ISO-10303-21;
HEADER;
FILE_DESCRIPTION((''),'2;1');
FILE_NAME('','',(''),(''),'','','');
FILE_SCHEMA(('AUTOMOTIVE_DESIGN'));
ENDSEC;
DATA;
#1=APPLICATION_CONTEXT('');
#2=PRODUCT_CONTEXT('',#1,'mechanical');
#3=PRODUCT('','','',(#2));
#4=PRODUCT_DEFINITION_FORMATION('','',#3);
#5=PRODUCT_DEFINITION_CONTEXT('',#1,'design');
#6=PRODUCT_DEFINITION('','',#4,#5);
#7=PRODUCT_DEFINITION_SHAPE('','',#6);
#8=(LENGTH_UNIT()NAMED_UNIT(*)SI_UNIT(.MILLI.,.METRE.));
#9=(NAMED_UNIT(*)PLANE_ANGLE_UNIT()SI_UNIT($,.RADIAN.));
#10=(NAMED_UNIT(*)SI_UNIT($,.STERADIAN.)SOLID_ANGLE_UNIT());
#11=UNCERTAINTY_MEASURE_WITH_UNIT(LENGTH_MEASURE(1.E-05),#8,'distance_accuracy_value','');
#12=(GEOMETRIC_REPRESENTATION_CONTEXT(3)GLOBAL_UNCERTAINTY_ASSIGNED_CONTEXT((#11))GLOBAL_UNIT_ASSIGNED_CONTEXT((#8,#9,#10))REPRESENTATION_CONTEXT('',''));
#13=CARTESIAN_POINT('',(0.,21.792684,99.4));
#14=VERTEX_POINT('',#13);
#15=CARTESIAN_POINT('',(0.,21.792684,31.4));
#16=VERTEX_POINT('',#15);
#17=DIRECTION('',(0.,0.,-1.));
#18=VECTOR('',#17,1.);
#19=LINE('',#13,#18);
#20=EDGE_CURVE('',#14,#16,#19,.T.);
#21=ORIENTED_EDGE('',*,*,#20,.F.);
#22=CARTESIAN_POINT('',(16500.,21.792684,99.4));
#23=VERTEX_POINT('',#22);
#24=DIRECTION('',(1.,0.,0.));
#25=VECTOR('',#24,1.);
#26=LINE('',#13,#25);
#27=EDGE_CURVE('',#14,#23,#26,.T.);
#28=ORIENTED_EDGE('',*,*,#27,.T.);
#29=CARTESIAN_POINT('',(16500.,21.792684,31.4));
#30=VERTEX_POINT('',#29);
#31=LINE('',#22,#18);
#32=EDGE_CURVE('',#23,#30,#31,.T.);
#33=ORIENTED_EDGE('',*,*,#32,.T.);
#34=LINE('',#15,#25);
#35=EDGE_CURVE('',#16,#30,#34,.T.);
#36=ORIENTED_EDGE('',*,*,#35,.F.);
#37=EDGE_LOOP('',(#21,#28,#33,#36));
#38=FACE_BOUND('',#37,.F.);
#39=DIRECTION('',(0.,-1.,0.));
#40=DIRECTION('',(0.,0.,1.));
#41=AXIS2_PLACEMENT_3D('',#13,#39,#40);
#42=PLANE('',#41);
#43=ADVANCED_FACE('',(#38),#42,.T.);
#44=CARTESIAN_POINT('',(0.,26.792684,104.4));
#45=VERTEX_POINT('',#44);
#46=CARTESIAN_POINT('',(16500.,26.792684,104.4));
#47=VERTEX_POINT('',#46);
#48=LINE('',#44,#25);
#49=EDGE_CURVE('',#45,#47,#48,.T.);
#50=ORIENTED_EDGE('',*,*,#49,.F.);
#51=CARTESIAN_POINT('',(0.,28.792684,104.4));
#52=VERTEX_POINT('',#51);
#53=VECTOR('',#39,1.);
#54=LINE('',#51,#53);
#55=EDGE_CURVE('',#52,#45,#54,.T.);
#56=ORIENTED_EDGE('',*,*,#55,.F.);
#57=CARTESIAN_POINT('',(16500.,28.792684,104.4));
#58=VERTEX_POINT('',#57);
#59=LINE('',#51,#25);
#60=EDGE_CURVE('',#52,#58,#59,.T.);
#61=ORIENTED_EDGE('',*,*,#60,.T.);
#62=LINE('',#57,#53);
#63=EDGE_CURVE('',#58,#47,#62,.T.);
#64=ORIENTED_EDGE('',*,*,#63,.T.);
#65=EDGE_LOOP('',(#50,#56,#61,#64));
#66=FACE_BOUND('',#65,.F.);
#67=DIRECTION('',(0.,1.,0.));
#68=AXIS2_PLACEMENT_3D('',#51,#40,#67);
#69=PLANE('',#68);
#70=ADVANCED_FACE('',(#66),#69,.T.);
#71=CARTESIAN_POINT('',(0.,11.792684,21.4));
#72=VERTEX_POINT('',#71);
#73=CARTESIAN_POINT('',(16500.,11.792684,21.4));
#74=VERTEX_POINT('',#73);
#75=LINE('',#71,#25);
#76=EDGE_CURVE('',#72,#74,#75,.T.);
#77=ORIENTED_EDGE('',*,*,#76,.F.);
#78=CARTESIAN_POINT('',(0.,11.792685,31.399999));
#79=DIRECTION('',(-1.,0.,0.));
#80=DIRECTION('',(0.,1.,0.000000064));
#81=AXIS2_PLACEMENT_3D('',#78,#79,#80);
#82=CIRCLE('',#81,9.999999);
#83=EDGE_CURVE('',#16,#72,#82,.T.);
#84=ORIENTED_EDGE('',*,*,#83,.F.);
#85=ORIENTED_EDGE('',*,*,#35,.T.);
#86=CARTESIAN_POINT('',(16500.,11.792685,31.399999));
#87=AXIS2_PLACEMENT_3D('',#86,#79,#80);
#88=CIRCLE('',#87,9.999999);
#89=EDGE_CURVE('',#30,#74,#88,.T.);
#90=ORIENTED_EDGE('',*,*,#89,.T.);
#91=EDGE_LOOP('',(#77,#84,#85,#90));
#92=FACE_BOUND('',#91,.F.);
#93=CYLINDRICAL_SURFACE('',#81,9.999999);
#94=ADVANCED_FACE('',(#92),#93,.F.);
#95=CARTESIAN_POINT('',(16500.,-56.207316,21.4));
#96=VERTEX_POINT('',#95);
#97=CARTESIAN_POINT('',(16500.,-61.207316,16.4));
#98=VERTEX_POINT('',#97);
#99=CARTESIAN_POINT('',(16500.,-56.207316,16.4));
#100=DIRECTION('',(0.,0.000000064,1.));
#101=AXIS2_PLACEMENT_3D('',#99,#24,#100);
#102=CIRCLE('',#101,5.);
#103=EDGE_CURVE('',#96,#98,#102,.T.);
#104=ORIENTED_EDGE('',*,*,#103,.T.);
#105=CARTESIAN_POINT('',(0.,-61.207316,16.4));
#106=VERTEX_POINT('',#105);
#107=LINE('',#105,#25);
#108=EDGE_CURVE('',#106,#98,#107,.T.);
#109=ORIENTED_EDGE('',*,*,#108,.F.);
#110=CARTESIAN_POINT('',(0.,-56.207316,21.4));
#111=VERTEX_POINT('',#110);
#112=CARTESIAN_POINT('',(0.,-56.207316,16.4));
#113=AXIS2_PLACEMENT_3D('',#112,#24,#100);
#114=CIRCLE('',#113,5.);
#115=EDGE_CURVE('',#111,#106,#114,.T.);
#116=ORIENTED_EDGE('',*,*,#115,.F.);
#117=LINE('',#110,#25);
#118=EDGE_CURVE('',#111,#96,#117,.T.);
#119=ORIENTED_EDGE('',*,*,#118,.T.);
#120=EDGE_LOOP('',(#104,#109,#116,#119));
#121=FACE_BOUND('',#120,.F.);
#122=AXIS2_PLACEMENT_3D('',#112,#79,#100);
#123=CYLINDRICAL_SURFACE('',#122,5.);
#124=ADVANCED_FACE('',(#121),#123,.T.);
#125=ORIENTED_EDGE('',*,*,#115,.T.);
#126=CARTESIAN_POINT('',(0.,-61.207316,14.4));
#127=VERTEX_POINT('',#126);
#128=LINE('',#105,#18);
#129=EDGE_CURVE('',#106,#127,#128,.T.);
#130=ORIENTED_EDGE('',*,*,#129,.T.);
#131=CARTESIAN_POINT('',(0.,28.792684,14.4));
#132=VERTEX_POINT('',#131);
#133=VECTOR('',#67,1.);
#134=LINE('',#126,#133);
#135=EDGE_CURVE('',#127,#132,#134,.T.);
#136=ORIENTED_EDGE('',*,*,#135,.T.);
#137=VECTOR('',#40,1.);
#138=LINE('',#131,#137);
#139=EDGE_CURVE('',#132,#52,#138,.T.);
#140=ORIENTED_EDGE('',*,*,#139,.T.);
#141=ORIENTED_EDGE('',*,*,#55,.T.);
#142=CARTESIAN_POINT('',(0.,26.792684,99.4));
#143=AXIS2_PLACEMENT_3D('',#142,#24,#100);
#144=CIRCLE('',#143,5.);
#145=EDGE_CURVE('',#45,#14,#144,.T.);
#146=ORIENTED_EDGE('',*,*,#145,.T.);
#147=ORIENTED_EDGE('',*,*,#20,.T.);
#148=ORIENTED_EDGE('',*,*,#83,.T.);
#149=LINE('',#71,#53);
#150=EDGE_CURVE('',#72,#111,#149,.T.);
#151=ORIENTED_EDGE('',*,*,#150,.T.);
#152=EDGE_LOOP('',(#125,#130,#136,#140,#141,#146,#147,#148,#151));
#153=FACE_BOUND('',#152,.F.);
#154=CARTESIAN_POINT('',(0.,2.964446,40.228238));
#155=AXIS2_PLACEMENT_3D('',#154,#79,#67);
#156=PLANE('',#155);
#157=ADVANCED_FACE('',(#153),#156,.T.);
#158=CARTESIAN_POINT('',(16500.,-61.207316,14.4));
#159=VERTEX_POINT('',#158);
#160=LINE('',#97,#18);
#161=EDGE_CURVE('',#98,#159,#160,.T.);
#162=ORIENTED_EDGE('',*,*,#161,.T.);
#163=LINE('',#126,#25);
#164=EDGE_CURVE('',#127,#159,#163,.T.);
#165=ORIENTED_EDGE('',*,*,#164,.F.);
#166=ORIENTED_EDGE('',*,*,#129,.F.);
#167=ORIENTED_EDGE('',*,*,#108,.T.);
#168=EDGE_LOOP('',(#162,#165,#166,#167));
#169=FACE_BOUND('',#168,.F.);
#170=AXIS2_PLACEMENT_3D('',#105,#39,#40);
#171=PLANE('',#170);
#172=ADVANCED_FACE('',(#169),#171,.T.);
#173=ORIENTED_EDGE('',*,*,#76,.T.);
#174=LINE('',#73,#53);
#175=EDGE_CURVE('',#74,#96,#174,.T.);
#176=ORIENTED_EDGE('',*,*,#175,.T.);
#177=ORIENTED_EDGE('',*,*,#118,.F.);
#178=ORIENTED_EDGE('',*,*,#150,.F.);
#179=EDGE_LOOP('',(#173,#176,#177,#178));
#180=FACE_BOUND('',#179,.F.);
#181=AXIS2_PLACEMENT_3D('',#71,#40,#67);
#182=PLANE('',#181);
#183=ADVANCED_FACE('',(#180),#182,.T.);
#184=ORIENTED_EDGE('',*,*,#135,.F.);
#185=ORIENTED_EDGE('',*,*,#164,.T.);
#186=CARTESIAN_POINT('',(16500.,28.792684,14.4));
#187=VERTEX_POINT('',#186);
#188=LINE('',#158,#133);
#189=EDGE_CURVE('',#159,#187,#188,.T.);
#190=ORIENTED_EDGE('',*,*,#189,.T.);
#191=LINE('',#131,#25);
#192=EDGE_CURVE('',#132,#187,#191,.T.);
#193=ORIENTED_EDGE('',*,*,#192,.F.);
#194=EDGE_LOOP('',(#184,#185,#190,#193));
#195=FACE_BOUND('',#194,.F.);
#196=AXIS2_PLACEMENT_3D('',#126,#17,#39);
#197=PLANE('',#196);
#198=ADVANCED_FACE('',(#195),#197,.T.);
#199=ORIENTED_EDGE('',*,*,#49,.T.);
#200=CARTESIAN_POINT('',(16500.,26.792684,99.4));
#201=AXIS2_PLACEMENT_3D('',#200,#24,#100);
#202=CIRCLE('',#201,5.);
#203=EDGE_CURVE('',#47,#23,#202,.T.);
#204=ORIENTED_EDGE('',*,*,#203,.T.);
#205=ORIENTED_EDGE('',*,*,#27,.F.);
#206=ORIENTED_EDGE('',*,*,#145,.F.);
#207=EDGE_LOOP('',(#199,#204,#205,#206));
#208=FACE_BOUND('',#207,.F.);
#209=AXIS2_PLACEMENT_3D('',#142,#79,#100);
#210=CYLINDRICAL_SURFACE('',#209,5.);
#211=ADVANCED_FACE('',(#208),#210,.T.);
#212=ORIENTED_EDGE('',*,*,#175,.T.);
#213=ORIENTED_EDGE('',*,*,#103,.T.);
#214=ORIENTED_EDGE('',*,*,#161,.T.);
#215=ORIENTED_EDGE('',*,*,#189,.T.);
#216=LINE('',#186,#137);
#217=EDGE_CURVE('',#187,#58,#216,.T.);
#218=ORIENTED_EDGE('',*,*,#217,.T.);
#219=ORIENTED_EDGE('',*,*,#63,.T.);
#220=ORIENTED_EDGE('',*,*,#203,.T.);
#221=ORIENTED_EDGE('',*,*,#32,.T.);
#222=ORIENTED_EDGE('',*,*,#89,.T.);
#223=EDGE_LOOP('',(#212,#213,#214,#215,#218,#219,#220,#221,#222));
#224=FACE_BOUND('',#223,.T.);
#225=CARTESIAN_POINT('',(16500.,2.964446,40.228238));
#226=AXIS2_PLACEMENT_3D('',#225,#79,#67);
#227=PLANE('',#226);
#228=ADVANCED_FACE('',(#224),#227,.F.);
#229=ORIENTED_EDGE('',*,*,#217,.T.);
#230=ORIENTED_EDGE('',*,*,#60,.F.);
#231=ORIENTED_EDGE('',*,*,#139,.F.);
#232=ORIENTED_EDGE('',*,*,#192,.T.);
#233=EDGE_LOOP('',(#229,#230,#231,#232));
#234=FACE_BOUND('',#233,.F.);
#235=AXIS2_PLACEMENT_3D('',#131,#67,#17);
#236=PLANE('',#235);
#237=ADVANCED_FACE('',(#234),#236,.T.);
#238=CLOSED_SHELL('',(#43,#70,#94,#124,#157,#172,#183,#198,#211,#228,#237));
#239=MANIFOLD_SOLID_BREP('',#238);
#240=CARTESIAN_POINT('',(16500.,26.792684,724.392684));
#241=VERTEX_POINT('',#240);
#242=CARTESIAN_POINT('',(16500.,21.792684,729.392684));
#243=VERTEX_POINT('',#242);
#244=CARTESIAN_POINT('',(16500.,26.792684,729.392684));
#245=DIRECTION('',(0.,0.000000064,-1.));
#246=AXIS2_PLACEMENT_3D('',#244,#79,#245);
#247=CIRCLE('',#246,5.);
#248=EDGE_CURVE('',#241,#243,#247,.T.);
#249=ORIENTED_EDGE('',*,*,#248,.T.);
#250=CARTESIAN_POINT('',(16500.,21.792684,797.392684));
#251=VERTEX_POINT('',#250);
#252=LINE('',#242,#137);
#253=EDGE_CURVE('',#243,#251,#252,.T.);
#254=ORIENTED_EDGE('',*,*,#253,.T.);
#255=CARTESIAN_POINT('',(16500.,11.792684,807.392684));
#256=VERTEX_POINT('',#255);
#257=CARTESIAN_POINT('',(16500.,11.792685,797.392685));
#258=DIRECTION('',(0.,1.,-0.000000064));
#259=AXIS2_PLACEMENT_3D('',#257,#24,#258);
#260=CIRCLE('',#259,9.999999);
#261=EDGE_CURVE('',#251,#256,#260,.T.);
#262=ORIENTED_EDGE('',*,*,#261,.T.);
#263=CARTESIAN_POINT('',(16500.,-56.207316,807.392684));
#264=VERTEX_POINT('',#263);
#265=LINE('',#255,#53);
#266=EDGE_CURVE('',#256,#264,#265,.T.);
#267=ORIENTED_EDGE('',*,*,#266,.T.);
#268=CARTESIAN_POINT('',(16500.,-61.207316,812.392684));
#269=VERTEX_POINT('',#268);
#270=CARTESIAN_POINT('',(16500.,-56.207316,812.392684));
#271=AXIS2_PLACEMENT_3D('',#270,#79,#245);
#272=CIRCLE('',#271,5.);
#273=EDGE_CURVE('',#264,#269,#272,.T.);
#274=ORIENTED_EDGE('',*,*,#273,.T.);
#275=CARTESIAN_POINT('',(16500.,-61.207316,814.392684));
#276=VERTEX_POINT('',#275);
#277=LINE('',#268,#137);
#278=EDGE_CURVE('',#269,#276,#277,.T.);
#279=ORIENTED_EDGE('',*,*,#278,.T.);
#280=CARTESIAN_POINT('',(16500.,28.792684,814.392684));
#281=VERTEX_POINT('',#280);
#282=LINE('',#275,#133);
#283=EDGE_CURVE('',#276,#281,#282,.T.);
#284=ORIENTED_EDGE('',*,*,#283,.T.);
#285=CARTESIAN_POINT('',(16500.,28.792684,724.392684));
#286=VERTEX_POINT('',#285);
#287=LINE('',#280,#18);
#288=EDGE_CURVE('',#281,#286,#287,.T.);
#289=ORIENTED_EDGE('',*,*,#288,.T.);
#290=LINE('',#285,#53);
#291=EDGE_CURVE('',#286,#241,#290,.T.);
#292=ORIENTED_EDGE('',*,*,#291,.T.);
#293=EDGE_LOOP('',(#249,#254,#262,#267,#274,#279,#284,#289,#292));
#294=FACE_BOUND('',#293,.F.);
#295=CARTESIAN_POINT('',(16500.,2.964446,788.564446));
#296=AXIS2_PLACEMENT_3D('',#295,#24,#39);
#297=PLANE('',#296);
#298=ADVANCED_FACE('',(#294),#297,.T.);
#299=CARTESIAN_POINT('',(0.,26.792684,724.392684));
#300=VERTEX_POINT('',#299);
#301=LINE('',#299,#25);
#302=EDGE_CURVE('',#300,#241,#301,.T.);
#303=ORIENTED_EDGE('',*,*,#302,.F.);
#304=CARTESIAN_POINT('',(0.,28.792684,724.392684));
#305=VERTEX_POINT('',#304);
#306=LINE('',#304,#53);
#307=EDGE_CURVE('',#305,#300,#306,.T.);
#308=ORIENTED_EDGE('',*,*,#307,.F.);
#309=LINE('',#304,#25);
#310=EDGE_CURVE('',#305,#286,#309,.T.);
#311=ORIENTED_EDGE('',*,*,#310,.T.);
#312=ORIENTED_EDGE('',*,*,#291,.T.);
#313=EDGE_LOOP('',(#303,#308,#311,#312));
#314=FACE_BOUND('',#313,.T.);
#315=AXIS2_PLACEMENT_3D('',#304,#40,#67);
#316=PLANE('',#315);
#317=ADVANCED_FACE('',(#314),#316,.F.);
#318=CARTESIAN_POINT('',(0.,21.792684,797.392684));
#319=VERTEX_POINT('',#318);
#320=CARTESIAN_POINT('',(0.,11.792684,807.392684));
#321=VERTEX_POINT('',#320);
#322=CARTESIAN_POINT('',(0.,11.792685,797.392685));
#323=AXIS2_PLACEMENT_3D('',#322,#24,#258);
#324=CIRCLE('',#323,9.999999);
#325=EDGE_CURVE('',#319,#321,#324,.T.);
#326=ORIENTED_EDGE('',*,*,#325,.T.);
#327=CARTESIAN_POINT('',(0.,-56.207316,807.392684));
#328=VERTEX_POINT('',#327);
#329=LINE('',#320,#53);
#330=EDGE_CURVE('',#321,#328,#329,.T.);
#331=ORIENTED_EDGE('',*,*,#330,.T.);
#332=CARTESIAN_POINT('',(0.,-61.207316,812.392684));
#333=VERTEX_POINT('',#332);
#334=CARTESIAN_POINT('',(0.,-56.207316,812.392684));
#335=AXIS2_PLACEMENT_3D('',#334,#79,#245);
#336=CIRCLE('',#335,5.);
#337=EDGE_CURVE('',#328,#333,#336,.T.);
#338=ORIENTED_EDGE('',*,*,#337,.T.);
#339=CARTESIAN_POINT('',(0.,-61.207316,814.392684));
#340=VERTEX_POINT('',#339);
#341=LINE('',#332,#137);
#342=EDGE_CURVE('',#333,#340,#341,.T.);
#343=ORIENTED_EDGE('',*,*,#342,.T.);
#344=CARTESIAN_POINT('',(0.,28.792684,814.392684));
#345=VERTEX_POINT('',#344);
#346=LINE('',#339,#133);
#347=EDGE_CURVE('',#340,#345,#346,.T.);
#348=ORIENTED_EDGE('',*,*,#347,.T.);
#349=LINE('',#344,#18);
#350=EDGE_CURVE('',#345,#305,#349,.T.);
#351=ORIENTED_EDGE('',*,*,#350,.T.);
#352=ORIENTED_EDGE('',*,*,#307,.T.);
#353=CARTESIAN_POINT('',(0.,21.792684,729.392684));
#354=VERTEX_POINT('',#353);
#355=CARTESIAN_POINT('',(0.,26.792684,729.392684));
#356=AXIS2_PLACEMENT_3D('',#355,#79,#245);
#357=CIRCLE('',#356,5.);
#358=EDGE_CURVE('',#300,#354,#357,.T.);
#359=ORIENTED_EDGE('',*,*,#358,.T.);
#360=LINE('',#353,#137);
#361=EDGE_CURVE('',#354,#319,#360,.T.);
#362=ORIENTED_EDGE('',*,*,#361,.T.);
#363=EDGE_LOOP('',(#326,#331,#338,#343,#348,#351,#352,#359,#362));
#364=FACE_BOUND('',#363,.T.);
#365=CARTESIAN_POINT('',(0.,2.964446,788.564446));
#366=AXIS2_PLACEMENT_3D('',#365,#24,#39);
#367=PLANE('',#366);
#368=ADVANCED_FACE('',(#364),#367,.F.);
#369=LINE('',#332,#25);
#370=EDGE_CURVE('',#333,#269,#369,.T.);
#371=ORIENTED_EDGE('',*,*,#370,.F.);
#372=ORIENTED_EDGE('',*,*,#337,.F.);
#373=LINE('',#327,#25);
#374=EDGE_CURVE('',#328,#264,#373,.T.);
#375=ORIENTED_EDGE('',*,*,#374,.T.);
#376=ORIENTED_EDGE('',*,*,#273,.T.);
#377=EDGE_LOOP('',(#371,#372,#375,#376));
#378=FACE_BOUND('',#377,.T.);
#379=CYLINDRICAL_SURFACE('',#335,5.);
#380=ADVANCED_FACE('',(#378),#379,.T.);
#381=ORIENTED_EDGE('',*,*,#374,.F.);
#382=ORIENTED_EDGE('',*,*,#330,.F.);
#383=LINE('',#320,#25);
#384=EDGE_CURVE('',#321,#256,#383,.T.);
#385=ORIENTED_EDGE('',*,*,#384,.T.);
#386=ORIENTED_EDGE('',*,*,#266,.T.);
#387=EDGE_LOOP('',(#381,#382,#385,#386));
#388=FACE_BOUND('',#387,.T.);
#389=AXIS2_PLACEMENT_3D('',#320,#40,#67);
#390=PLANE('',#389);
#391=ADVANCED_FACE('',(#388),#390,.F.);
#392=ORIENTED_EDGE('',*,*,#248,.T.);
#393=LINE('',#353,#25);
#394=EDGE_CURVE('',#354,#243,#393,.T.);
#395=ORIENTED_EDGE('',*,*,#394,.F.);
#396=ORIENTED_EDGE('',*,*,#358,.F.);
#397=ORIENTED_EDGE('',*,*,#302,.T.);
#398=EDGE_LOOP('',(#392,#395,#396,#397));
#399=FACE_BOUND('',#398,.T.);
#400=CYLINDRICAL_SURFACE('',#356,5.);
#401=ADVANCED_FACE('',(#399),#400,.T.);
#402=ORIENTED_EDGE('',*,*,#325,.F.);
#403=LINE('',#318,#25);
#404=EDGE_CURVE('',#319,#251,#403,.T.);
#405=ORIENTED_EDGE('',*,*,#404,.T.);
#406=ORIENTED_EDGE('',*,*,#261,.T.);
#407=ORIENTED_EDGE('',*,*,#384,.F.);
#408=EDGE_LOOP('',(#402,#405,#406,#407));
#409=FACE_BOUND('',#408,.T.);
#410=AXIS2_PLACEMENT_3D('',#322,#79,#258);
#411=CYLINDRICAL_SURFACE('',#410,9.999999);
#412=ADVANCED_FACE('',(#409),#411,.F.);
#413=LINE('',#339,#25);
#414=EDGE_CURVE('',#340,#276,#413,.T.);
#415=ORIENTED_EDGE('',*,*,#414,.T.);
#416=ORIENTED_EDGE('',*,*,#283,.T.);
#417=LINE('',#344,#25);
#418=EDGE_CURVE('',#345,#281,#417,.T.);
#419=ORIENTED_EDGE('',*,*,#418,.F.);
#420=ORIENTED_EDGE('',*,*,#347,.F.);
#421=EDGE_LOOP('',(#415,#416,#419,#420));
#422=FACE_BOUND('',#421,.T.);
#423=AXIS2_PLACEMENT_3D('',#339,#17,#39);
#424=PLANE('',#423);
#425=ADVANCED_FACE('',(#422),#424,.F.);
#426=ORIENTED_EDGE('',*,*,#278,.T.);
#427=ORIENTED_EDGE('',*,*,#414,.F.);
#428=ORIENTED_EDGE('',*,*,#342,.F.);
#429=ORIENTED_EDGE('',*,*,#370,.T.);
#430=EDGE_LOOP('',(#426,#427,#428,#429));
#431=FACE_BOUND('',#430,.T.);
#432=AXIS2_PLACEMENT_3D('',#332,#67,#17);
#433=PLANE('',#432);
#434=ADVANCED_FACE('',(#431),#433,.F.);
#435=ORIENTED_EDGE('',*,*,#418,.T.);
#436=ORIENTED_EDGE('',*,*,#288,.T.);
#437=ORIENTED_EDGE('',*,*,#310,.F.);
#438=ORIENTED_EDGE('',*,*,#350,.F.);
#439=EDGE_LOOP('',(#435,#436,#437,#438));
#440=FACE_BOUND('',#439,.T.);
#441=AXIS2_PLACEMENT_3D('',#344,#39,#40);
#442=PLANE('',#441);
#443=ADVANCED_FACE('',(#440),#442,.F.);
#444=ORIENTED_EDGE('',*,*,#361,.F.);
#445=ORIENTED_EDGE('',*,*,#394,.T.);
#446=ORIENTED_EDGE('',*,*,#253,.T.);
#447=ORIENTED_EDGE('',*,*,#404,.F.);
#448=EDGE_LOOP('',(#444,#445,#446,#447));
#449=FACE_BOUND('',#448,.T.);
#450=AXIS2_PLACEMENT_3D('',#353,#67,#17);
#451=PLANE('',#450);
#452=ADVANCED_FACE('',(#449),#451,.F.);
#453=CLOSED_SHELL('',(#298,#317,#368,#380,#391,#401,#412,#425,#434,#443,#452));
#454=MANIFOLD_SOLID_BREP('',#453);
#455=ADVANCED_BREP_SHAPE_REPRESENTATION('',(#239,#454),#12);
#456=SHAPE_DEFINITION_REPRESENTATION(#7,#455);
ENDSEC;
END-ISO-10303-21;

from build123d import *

# Parameters (mm, degrees)
EXTRUDE017_DEPTH = 16500
EXTRUDE018_DEPTH = 16500


with BuildPart() as extrude017:
    # AngleSteel004 → Extrude017 (new body)
    with BuildSketch(Plane(origin=(0, 53.415282, 39.015282), x_dir=(0, 1, 0), z_dir=(-1, 0, 0))):
        with BuildLine():
            Line((-24.615282, 24.615282), (-24.615282, -65.384718))
            Line((-24.615282, -65.384718), (-22.615282, -65.384718))
            ThreePointArc((-22.615282, -65.384718), (-19.079748, -63.920252), (-17.615282, -60.384718))
            Line((-17.615282, -60.384718), (-17.615282, 7.615282))
            ThreePointArc((-17.615282, 7.615282), (-14.68635, 14.68635), (-7.615282, 17.615282))
            Line((-7.615282, 17.615282), (60.384718, 17.615282))
            ThreePointArc((60.384718, 17.615282), (63.920252, 19.079748), (65.384718, 22.615282))
            Line((65.384718, 22.615282), (65.384718, 24.615282))
            Line((65.384718, 24.615282), (-24.615282, 24.615282))
        make_face()
    extrude(amount=-EXTRUDE017_DEPTH)


with BuildPart() as fusion001:
    # Mirror → Extrude018 (new body)
    with BuildSketch(Plane(origin=(0, 53.415282, 789.777402), x_dir=(0, -1, 0), z_dir=(1, 0, 0))):
        with BuildLine():
            Line((24.615282, -24.615282), (24.615282, 65.384718))
            Line((24.615282, 65.384718), (22.615282, 65.384718))
            ThreePointArc((22.615282, 65.384718), (19.079748, 63.920252), (17.615282, 60.384718))
            Line((17.615282, 60.384718), (17.615282, -7.615282))
            ThreePointArc((17.615282, -7.615282), (14.68635, -14.68635), (7.615282, -17.615282))
            Line((7.615282, -17.615282), (-60.384718, -17.615282))
            ThreePointArc((-60.384718, -17.615282), (-63.920252, -19.079748), (-65.384718, -22.615282))
            Line((-65.384718, -22.615282), (-65.384718, -24.615282))
            Line((-65.384718, -24.615282), (24.615282, -24.615282))
        make_face()
    extrude(amount=EXTRUDE018_DEPTH)

    # Fusion001: union Extrude017
    add(extrude017.part)


with BuildPart() as fusion_mirrored:
    # Mirror001: instance of Fusion001
    add(fusion001.part.mirror(Plane(origin=(0, 28.796342, 514.396342), x_dir=(-1, 0, 0), z_dir=(0, -1, 0))))


with BuildPart() as fusion_mirrored_1:
    # Mirror001 placement: moved
    add(fusion_mirrored.part.moved(Location((0, -6, 0))))


solid = fusion_mirrored_1.part
